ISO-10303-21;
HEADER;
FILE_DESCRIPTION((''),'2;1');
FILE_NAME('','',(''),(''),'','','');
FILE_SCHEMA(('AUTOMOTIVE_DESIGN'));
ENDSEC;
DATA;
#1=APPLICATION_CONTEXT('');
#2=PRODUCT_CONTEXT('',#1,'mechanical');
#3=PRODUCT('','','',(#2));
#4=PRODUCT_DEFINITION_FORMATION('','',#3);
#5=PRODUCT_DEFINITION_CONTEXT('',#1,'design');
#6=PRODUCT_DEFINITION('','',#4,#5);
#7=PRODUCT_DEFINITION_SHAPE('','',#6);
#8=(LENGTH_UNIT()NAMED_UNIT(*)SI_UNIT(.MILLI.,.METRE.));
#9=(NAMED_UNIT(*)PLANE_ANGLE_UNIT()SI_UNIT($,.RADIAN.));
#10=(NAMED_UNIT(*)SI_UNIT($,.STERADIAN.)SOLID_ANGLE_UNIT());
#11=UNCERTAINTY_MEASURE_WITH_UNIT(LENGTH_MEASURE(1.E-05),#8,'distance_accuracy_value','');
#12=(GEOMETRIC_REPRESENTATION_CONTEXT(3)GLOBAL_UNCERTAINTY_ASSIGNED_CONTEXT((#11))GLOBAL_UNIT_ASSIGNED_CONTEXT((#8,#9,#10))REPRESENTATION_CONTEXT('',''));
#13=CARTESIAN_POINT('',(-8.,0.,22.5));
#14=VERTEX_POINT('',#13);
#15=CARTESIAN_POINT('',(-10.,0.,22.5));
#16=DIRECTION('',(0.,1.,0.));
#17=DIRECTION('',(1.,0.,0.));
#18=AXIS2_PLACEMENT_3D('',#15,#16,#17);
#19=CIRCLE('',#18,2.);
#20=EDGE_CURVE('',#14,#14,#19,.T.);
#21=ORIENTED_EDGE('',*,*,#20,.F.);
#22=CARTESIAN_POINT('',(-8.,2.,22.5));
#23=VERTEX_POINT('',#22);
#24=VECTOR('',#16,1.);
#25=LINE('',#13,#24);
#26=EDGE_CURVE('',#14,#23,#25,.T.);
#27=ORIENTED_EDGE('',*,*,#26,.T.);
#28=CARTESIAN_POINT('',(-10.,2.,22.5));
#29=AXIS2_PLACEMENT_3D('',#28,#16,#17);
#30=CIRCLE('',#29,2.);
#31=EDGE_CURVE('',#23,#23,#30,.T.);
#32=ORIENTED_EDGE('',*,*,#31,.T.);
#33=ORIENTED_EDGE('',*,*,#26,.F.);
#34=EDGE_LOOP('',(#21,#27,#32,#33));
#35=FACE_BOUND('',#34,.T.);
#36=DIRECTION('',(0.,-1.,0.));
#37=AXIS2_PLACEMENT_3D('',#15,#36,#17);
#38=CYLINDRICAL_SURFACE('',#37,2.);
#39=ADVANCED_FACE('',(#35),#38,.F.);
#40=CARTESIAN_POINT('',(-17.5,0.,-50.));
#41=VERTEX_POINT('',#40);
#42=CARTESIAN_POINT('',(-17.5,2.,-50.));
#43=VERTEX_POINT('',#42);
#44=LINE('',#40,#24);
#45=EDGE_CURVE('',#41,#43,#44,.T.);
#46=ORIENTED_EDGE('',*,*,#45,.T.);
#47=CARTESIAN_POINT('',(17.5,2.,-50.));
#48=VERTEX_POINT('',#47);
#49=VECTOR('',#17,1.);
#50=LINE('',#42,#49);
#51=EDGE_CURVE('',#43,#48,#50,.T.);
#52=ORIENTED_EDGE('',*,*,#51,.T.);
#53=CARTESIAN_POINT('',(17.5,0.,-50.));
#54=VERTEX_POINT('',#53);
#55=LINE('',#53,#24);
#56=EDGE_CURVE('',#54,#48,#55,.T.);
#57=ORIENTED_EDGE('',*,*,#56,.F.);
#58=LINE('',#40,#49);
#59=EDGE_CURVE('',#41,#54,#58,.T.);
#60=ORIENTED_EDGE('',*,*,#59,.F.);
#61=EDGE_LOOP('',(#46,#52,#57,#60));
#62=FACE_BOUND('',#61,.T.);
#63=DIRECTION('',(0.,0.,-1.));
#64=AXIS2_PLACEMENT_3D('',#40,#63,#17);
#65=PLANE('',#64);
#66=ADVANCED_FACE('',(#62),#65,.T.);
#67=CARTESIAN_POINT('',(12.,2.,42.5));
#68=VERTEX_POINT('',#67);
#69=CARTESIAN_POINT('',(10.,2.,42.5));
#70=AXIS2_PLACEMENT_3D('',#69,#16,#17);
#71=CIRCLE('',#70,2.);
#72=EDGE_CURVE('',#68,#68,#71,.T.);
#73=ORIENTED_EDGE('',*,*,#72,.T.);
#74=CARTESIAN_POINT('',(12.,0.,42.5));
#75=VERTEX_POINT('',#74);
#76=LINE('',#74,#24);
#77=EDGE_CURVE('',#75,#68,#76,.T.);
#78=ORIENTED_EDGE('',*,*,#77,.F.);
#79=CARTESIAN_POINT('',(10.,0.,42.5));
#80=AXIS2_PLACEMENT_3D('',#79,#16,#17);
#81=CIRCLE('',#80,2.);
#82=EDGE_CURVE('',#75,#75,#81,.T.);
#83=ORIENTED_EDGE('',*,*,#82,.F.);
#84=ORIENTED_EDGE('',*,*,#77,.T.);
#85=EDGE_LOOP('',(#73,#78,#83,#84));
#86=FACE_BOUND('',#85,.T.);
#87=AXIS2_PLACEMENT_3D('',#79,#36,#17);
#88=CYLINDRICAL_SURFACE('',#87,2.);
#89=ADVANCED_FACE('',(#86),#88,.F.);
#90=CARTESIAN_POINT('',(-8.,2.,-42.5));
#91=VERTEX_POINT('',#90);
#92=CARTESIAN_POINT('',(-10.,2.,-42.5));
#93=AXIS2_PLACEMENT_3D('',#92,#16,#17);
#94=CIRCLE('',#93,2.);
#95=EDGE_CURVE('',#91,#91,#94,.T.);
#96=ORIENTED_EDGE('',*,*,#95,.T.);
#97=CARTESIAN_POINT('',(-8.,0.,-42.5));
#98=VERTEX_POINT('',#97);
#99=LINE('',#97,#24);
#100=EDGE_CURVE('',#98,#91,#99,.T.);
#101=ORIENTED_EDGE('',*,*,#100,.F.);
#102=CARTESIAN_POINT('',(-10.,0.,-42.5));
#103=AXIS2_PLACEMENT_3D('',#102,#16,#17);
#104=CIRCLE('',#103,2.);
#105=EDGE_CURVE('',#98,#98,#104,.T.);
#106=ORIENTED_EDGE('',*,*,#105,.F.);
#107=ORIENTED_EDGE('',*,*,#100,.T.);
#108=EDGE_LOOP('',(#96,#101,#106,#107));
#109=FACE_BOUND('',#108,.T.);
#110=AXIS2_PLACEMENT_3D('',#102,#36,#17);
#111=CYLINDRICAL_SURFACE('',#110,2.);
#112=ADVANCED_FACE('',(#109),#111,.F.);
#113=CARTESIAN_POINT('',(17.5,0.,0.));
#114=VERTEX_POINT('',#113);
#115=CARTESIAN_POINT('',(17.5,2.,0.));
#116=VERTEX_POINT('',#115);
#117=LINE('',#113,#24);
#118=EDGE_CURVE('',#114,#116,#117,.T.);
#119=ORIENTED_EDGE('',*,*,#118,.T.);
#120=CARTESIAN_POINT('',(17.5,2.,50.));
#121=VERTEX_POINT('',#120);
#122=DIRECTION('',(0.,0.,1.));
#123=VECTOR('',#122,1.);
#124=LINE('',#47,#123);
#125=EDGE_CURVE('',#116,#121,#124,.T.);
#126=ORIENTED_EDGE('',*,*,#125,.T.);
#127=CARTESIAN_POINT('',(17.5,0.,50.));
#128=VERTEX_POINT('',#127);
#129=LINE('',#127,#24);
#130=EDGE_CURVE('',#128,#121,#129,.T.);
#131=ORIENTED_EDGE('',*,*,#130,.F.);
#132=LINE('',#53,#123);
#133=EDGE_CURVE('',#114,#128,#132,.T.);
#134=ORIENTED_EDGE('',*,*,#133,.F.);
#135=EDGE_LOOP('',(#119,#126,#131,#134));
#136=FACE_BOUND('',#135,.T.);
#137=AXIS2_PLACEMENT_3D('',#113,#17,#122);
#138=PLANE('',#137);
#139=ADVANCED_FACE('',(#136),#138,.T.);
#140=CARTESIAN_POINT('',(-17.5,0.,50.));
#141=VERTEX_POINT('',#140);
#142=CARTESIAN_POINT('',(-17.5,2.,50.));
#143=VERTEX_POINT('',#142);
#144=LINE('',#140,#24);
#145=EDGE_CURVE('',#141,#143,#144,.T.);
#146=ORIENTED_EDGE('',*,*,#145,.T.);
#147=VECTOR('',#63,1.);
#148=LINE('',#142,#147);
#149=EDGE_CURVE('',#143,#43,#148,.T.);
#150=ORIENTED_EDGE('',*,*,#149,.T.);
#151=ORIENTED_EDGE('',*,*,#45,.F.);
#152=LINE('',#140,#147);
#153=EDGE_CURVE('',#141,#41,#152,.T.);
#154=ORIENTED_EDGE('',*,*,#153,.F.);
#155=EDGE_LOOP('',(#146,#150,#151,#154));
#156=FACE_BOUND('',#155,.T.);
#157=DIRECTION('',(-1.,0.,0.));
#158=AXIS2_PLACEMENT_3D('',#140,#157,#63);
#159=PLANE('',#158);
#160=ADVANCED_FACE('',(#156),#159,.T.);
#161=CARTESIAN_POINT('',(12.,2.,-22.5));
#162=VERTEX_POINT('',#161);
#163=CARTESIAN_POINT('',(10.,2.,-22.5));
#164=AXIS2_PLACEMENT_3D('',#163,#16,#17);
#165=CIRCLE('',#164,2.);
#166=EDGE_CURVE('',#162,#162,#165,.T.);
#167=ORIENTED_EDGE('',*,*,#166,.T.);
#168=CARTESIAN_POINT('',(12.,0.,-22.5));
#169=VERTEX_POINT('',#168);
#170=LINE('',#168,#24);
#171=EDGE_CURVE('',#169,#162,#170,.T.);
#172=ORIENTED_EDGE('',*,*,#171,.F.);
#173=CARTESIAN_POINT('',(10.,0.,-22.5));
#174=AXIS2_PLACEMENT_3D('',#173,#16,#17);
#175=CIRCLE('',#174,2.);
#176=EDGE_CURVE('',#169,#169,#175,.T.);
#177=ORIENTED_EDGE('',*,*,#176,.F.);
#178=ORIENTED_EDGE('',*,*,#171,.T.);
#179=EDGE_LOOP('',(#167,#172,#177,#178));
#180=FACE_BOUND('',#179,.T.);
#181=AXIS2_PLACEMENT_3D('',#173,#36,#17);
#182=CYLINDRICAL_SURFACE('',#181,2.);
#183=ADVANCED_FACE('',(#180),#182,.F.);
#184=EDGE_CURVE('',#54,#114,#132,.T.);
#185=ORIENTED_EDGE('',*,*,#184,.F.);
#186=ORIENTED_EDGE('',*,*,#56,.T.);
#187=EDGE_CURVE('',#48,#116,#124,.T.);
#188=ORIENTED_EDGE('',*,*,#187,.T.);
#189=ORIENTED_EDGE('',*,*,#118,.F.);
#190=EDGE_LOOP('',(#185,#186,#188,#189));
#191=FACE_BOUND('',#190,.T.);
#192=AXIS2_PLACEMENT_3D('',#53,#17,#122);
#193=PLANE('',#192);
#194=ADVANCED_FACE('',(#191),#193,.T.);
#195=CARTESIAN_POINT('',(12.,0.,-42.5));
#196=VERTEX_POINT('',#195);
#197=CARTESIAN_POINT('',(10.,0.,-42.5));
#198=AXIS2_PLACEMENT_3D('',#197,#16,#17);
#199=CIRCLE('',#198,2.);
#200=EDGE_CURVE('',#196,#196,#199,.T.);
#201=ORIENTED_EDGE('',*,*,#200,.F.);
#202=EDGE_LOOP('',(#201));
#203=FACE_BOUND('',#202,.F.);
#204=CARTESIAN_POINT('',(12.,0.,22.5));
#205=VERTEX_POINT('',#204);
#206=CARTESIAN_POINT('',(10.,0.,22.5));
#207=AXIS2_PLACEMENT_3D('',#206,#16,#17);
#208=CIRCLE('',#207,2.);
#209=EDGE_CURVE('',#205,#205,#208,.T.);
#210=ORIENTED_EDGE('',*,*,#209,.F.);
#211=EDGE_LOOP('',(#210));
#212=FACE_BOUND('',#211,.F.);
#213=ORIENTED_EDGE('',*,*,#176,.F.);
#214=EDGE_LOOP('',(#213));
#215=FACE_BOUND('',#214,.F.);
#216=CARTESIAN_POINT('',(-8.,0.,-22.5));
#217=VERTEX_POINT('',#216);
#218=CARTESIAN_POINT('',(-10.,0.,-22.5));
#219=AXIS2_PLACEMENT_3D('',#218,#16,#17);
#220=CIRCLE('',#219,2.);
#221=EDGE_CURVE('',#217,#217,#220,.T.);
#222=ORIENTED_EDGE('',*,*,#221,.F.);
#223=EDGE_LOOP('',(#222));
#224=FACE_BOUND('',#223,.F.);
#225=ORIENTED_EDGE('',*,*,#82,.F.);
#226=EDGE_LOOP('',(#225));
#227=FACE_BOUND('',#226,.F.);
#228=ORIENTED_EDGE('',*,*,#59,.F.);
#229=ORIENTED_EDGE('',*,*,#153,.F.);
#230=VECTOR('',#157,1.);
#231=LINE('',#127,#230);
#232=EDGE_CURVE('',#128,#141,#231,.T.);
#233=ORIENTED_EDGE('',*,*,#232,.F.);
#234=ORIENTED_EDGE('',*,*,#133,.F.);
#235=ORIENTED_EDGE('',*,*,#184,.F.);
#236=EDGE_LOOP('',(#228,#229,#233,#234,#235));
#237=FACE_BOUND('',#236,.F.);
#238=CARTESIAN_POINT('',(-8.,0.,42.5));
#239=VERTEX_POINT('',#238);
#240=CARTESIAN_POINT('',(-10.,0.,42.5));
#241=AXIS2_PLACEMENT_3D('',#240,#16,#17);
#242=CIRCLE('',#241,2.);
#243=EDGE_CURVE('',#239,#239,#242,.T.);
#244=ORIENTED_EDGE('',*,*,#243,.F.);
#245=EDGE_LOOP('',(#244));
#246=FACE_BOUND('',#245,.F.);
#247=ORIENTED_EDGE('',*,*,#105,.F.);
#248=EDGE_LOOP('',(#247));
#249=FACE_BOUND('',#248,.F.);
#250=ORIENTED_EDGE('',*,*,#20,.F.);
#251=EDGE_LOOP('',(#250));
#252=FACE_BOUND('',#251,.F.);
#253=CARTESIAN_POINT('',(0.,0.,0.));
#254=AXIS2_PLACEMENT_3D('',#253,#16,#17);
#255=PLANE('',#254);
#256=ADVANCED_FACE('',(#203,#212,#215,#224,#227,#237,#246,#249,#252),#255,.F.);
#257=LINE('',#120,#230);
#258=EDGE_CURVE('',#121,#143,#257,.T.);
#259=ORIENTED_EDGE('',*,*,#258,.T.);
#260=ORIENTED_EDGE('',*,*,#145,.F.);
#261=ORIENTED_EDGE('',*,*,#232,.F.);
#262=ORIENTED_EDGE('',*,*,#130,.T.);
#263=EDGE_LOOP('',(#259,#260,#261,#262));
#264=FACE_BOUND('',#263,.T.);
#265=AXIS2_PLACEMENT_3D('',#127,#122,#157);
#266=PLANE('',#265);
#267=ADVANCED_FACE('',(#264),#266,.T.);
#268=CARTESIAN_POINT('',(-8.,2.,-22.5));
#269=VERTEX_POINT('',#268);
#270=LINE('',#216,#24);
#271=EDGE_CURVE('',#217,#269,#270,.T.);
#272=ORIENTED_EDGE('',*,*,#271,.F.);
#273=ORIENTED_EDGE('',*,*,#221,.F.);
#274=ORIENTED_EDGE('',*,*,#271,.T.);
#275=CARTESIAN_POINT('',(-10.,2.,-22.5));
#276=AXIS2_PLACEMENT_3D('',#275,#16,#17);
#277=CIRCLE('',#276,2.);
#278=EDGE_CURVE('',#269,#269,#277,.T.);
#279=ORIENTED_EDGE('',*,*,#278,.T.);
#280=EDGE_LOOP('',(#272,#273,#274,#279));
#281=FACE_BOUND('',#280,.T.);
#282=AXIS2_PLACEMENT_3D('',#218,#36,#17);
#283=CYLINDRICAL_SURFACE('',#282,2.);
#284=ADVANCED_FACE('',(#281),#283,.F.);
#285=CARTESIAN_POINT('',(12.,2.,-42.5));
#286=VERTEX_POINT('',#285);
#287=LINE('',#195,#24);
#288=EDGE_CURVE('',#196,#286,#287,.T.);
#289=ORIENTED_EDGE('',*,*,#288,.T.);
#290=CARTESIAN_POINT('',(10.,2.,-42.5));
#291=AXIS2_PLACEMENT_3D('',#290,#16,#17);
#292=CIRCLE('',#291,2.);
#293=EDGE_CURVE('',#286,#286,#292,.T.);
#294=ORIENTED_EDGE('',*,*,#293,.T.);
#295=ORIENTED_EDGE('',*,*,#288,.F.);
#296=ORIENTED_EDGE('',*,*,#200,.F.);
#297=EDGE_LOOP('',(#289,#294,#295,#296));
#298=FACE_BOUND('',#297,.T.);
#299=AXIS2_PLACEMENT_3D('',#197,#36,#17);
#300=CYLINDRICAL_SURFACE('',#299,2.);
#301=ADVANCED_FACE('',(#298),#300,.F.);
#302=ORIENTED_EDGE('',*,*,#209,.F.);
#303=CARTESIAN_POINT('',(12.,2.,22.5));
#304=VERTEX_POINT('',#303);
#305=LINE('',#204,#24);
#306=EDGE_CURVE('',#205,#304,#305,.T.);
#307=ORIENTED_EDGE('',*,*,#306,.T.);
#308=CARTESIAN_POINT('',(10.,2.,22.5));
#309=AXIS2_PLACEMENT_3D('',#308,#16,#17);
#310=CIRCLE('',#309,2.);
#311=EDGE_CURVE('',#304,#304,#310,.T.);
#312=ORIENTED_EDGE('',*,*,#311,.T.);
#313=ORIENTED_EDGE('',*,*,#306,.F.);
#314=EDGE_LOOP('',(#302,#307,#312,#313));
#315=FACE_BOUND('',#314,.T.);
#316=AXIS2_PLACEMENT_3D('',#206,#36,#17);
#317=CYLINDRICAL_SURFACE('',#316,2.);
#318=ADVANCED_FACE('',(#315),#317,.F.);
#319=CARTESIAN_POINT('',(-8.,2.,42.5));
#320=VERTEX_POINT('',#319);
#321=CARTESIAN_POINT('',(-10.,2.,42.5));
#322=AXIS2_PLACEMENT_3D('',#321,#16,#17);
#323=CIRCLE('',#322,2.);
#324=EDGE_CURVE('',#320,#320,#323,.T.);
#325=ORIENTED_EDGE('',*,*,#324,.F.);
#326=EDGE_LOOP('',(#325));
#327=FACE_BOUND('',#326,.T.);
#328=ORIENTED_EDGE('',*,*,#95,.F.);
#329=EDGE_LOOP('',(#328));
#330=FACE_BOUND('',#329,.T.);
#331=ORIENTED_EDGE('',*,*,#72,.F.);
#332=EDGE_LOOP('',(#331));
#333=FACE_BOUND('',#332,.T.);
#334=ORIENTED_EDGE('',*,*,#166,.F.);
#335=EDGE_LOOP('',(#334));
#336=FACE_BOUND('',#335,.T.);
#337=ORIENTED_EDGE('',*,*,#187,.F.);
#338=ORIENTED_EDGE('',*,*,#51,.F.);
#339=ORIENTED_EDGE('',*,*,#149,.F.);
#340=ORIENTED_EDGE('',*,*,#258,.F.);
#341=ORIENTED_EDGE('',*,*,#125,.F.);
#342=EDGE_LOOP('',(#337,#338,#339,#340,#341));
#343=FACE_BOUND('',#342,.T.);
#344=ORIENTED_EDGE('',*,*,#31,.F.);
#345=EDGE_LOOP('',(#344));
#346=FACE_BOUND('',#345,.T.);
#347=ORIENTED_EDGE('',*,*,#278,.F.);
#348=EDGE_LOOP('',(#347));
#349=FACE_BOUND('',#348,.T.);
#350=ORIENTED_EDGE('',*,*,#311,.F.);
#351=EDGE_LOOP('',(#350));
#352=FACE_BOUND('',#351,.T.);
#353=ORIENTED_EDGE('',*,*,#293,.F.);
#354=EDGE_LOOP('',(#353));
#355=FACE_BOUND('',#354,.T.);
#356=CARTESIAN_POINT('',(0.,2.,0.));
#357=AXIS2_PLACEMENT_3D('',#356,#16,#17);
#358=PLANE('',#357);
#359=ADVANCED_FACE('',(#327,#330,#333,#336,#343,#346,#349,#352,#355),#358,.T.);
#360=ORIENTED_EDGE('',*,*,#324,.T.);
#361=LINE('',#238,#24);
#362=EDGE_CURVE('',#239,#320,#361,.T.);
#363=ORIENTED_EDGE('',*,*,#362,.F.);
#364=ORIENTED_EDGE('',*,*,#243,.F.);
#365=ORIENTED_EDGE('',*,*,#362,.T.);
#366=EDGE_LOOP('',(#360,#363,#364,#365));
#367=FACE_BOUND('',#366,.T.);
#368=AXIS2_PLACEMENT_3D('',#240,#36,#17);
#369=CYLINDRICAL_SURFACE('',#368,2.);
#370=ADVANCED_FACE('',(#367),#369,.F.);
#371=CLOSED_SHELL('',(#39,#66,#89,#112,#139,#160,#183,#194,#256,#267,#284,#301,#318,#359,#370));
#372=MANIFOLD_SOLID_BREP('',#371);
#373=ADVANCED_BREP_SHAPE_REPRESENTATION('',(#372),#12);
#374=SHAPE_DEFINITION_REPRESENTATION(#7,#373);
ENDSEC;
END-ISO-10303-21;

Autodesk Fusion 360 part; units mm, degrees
sketch "Sketch1" plane through (0, 0, 0) normal (0, 1, 0) x (1, 0, 0)
  line L0 (-17.5, 50) -> (17.5, 50)
  line L1 (17.5, 50) -> (17.5, -50)
  line L2 (17.5, -50) -> (-17.5, -50)
  line L3 (-17.5, -50) -> (-17.5, 50)
  circle A0 centre (-10, 42.5) radius 2
  circle A1 centre (10, 42.5) radius 2
  circle A2 centre (-10, 22.5) radius 2
  circle A3 centre (10, 22.5) radius 2
  line L4 (1.75, 0) -> (22.5, 0)
  circle A4 centre (-10, -42.5) radius 2
  circle A5 centre (10, -42.5) radius 2
  circle A6 centre (10, -22.5) radius 2
  circle A7 centre (-10, -22.5) radius 2
  dimension "d1" = 35
  dimension "d2" = 100
  dimension "d3" = 4
  dimension "d6" = 20
  dimension "d7" = -20
  dimension "d8" = 7.5
  dimension "d9" = 7.5
extrude "Extrude1" add sketch "Sketch1" along normal blind 2
equation "d9 = d8"
